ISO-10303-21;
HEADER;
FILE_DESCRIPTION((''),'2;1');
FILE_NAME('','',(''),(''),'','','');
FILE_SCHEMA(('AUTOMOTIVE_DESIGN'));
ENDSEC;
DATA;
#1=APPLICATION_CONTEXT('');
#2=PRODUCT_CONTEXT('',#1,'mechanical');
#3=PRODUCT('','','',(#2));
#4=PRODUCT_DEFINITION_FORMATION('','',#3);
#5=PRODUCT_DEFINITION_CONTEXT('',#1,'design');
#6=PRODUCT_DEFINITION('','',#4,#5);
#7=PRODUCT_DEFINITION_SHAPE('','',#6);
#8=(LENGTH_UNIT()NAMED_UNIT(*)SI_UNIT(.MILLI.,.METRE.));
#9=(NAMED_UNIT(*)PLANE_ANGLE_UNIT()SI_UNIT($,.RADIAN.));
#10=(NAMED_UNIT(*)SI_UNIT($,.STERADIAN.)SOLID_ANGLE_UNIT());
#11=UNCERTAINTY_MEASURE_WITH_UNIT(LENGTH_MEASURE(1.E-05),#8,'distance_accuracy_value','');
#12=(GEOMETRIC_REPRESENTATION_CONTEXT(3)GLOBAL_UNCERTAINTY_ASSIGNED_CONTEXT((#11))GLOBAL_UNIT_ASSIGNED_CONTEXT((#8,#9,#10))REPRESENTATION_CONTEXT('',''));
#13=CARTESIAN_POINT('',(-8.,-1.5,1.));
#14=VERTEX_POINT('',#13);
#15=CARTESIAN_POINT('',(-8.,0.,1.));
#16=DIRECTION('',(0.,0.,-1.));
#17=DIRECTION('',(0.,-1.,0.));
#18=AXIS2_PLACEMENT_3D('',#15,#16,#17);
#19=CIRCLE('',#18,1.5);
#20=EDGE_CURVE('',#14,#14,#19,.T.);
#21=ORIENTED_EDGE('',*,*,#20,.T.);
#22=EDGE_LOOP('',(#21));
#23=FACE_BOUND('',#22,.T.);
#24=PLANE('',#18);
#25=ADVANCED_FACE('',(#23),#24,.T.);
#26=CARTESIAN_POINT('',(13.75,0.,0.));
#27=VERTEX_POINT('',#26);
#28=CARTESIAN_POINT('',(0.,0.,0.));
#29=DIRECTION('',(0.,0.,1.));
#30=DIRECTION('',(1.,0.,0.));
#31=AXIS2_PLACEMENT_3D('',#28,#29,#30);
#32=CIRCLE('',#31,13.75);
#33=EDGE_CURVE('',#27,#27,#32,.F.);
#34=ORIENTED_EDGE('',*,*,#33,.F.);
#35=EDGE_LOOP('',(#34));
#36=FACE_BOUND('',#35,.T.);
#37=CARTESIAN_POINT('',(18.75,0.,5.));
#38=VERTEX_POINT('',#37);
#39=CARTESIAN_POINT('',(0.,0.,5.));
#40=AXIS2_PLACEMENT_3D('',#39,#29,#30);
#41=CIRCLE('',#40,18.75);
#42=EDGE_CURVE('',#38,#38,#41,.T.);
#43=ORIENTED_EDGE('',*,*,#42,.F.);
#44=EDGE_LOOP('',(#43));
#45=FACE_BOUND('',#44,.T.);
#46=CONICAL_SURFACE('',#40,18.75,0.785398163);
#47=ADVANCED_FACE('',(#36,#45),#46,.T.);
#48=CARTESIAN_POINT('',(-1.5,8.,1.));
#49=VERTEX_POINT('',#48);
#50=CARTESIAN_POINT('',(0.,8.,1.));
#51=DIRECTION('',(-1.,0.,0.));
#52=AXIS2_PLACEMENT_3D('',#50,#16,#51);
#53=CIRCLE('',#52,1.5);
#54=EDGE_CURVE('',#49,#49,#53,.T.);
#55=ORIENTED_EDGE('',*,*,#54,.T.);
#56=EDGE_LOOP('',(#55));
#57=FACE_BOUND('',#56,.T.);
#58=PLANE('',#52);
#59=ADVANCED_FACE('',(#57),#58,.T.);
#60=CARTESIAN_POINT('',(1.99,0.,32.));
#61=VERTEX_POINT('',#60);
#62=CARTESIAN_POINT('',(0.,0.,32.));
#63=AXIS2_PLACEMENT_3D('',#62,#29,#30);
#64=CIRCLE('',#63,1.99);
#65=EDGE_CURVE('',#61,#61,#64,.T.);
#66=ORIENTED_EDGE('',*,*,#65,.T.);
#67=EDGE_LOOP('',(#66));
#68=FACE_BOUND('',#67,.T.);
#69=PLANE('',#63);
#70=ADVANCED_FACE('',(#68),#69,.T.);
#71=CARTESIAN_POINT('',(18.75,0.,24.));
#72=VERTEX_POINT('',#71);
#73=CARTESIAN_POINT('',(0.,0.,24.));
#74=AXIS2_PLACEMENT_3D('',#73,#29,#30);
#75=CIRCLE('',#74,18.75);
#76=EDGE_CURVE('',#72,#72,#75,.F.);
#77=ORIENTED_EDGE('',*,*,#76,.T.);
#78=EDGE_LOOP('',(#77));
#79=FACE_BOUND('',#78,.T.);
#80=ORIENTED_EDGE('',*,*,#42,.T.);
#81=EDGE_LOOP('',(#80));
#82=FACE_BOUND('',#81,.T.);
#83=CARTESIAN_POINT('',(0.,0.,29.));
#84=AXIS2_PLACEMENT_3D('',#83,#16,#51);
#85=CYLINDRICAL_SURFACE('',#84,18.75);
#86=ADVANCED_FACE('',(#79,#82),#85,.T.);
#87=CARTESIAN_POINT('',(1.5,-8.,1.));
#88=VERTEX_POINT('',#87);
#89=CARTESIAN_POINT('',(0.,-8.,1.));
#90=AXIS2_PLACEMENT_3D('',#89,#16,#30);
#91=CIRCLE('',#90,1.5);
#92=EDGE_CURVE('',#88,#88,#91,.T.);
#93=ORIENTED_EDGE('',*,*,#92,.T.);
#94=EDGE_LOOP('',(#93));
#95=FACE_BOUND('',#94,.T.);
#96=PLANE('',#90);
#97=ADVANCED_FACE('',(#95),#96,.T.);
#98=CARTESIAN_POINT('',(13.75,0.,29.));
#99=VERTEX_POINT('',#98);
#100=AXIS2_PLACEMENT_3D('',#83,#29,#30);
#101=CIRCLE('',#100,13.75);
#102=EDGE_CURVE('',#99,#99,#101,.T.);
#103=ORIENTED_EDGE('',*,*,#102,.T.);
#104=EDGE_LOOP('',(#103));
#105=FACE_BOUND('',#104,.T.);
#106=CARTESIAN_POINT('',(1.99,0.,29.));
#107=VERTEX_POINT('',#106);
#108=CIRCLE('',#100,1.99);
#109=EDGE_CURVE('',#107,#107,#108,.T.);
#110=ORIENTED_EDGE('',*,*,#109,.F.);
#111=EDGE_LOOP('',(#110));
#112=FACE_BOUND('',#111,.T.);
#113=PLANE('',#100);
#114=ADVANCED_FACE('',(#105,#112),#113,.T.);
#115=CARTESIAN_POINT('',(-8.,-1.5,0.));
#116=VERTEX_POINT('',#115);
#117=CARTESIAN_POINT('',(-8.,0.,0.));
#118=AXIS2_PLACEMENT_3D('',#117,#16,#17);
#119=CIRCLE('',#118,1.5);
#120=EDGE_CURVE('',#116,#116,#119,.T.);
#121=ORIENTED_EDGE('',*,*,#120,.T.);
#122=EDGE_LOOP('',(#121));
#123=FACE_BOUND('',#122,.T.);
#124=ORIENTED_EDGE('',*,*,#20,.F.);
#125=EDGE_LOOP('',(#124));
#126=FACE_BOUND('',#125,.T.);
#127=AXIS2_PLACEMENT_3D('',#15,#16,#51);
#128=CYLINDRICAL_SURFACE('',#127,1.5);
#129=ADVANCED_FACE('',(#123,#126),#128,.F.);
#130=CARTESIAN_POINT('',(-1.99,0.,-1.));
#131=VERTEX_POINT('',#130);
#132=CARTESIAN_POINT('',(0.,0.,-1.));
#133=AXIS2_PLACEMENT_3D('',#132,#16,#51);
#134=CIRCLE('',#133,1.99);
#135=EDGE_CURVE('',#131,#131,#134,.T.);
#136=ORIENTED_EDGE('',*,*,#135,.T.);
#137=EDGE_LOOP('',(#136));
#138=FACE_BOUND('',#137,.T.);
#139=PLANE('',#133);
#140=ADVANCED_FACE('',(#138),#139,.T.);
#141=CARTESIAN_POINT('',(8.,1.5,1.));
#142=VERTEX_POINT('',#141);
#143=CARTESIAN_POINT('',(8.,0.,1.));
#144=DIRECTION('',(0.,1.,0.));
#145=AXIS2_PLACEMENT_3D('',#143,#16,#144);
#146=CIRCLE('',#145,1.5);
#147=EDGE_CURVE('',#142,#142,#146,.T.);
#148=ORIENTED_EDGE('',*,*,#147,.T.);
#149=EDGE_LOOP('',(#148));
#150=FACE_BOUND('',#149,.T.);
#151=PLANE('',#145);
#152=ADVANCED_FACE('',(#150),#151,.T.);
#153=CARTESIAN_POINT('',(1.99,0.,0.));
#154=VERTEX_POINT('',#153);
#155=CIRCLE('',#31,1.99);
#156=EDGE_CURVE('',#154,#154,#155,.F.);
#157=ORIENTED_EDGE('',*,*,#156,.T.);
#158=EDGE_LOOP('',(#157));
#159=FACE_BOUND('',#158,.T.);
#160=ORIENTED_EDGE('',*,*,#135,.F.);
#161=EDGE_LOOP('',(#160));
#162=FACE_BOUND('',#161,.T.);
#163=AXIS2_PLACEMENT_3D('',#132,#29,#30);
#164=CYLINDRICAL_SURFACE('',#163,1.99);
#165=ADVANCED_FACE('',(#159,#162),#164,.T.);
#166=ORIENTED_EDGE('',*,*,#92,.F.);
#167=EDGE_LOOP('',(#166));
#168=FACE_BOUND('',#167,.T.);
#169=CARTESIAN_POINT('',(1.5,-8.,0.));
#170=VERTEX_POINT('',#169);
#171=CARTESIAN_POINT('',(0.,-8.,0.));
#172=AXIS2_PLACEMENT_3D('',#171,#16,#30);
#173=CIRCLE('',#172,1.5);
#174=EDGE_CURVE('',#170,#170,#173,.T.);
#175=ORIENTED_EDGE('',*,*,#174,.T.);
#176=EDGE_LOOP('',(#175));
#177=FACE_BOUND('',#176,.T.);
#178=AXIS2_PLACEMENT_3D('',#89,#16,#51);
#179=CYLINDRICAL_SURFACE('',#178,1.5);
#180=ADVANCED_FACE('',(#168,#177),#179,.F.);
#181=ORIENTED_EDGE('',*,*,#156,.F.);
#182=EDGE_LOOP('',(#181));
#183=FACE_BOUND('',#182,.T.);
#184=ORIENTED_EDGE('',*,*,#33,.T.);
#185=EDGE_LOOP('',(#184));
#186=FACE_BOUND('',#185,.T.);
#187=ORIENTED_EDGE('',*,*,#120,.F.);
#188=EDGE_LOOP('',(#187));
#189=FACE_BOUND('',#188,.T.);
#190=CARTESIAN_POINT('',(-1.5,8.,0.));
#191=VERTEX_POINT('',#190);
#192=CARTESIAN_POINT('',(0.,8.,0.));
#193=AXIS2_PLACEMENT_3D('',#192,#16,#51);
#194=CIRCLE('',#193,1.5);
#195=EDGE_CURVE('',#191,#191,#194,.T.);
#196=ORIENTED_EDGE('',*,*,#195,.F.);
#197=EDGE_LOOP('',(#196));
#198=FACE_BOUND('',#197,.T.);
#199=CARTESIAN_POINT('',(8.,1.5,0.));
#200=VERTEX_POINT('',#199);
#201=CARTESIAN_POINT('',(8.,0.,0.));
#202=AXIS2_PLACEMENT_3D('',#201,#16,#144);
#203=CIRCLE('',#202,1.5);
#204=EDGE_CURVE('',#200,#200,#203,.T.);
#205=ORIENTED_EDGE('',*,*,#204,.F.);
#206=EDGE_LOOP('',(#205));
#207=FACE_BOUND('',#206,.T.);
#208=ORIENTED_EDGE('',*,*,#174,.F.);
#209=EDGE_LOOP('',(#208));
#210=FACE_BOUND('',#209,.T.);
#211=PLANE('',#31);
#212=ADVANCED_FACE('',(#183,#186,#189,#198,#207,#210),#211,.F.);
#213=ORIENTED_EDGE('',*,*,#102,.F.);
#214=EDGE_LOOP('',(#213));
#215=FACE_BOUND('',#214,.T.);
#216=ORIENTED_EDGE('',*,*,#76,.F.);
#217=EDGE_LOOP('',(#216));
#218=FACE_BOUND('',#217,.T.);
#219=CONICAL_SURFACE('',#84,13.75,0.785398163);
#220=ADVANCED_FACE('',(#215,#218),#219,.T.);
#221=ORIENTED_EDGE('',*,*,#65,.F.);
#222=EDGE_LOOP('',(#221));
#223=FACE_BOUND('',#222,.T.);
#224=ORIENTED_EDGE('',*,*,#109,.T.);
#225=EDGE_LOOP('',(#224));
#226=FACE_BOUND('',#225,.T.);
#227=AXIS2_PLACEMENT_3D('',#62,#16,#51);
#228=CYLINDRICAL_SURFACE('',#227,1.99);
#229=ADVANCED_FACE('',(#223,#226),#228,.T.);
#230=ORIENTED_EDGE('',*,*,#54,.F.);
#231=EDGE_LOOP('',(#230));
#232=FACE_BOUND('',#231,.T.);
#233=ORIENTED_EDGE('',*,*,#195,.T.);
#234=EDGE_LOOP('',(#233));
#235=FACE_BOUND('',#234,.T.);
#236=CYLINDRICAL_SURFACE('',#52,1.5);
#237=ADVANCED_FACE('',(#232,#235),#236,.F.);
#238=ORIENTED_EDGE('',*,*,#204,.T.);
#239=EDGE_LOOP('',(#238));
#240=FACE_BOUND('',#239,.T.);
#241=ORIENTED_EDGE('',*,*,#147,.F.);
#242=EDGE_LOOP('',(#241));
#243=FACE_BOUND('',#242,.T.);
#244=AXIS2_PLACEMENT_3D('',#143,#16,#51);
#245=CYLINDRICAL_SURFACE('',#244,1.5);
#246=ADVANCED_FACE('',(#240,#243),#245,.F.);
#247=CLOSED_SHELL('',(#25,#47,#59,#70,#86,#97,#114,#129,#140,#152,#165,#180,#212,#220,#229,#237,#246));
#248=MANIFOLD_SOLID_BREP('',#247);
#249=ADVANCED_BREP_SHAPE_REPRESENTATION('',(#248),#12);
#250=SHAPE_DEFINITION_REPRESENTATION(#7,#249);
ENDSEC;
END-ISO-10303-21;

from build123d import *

# Parameters (mm, degrees)
SKETCH1_R           = 18.75
BOSS_EXTRUDE1_DEPTH = 29
SKETCH3_R           = 1.99
BOSS_EXTRUDE4_DEPTH = 3
CHAMFER1_SIZE       = 5
SKETCH4_R           = 1.99
BOSS_EXTRUDE5_DEPTH = 1
SKETCH5_R           = 1.5
CUT_EXTRUDE1_DEPTH  = 1
CIRPATTERN1_COUNT   = 4


with BuildPart() as part:
    # Sketch1 → Boss-Extrude1 (new body)
    with BuildSketch(Plane.XY):
        Circle(SKETCH1_R)
    extrude(amount=BOSS_EXTRUDE1_DEPTH)

    # Sketch3 → Boss-Extrude4 (add)
    with BuildSketch(Plane.XY.offset(29)):
        Circle(SKETCH3_R)
    extrude(amount=BOSS_EXTRUDE4_DEPTH)

    # Chamfer1
    chamfer1_edges = [part.edges().sort_by_distance(p)[0] for p in [
        (-18.75, 0, 0),
        (-18.75, 0, 29),
    ]]
    chamfer(chamfer1_edges, length=CHAMFER1_SIZE)

    # Sketch4 → Boss-Extrude5 (add)
    with BuildSketch(Plane(origin=(0, 0, 0), x_dir=(-1, 0, 0), z_dir=(0, 0, -1))):
        Circle(SKETCH4_R)
    extrude(amount=BOSS_EXTRUDE5_DEPTH)

    # Sketch5 → Cut-Extrude1 (cut)
    with BuildSketch(Plane(origin=(0, 0, 0), x_dir=(-1, 0, 0), z_dir=(0, 0, -1))):
        with Locations((0, 8)):
            Circle(SKETCH5_R)
    cut_extrude1 = extrude(amount=-CUT_EXTRUDE1_DEPTH, mode=Mode.SUBTRACT)

    # CirPattern1: Cut-Extrude1 ×4 about axis
    cirpattern1_axis = Axis((0, 0, 0), (0, 0, 1))
    for i in range(1, CIRPATTERN1_COUNT):
        add(cut_extrude1.rotate(cirpattern1_axis, i * 360 / CIRPATTERN1_COUNT), mode=Mode.SUBTRACT)


solid = part.part
